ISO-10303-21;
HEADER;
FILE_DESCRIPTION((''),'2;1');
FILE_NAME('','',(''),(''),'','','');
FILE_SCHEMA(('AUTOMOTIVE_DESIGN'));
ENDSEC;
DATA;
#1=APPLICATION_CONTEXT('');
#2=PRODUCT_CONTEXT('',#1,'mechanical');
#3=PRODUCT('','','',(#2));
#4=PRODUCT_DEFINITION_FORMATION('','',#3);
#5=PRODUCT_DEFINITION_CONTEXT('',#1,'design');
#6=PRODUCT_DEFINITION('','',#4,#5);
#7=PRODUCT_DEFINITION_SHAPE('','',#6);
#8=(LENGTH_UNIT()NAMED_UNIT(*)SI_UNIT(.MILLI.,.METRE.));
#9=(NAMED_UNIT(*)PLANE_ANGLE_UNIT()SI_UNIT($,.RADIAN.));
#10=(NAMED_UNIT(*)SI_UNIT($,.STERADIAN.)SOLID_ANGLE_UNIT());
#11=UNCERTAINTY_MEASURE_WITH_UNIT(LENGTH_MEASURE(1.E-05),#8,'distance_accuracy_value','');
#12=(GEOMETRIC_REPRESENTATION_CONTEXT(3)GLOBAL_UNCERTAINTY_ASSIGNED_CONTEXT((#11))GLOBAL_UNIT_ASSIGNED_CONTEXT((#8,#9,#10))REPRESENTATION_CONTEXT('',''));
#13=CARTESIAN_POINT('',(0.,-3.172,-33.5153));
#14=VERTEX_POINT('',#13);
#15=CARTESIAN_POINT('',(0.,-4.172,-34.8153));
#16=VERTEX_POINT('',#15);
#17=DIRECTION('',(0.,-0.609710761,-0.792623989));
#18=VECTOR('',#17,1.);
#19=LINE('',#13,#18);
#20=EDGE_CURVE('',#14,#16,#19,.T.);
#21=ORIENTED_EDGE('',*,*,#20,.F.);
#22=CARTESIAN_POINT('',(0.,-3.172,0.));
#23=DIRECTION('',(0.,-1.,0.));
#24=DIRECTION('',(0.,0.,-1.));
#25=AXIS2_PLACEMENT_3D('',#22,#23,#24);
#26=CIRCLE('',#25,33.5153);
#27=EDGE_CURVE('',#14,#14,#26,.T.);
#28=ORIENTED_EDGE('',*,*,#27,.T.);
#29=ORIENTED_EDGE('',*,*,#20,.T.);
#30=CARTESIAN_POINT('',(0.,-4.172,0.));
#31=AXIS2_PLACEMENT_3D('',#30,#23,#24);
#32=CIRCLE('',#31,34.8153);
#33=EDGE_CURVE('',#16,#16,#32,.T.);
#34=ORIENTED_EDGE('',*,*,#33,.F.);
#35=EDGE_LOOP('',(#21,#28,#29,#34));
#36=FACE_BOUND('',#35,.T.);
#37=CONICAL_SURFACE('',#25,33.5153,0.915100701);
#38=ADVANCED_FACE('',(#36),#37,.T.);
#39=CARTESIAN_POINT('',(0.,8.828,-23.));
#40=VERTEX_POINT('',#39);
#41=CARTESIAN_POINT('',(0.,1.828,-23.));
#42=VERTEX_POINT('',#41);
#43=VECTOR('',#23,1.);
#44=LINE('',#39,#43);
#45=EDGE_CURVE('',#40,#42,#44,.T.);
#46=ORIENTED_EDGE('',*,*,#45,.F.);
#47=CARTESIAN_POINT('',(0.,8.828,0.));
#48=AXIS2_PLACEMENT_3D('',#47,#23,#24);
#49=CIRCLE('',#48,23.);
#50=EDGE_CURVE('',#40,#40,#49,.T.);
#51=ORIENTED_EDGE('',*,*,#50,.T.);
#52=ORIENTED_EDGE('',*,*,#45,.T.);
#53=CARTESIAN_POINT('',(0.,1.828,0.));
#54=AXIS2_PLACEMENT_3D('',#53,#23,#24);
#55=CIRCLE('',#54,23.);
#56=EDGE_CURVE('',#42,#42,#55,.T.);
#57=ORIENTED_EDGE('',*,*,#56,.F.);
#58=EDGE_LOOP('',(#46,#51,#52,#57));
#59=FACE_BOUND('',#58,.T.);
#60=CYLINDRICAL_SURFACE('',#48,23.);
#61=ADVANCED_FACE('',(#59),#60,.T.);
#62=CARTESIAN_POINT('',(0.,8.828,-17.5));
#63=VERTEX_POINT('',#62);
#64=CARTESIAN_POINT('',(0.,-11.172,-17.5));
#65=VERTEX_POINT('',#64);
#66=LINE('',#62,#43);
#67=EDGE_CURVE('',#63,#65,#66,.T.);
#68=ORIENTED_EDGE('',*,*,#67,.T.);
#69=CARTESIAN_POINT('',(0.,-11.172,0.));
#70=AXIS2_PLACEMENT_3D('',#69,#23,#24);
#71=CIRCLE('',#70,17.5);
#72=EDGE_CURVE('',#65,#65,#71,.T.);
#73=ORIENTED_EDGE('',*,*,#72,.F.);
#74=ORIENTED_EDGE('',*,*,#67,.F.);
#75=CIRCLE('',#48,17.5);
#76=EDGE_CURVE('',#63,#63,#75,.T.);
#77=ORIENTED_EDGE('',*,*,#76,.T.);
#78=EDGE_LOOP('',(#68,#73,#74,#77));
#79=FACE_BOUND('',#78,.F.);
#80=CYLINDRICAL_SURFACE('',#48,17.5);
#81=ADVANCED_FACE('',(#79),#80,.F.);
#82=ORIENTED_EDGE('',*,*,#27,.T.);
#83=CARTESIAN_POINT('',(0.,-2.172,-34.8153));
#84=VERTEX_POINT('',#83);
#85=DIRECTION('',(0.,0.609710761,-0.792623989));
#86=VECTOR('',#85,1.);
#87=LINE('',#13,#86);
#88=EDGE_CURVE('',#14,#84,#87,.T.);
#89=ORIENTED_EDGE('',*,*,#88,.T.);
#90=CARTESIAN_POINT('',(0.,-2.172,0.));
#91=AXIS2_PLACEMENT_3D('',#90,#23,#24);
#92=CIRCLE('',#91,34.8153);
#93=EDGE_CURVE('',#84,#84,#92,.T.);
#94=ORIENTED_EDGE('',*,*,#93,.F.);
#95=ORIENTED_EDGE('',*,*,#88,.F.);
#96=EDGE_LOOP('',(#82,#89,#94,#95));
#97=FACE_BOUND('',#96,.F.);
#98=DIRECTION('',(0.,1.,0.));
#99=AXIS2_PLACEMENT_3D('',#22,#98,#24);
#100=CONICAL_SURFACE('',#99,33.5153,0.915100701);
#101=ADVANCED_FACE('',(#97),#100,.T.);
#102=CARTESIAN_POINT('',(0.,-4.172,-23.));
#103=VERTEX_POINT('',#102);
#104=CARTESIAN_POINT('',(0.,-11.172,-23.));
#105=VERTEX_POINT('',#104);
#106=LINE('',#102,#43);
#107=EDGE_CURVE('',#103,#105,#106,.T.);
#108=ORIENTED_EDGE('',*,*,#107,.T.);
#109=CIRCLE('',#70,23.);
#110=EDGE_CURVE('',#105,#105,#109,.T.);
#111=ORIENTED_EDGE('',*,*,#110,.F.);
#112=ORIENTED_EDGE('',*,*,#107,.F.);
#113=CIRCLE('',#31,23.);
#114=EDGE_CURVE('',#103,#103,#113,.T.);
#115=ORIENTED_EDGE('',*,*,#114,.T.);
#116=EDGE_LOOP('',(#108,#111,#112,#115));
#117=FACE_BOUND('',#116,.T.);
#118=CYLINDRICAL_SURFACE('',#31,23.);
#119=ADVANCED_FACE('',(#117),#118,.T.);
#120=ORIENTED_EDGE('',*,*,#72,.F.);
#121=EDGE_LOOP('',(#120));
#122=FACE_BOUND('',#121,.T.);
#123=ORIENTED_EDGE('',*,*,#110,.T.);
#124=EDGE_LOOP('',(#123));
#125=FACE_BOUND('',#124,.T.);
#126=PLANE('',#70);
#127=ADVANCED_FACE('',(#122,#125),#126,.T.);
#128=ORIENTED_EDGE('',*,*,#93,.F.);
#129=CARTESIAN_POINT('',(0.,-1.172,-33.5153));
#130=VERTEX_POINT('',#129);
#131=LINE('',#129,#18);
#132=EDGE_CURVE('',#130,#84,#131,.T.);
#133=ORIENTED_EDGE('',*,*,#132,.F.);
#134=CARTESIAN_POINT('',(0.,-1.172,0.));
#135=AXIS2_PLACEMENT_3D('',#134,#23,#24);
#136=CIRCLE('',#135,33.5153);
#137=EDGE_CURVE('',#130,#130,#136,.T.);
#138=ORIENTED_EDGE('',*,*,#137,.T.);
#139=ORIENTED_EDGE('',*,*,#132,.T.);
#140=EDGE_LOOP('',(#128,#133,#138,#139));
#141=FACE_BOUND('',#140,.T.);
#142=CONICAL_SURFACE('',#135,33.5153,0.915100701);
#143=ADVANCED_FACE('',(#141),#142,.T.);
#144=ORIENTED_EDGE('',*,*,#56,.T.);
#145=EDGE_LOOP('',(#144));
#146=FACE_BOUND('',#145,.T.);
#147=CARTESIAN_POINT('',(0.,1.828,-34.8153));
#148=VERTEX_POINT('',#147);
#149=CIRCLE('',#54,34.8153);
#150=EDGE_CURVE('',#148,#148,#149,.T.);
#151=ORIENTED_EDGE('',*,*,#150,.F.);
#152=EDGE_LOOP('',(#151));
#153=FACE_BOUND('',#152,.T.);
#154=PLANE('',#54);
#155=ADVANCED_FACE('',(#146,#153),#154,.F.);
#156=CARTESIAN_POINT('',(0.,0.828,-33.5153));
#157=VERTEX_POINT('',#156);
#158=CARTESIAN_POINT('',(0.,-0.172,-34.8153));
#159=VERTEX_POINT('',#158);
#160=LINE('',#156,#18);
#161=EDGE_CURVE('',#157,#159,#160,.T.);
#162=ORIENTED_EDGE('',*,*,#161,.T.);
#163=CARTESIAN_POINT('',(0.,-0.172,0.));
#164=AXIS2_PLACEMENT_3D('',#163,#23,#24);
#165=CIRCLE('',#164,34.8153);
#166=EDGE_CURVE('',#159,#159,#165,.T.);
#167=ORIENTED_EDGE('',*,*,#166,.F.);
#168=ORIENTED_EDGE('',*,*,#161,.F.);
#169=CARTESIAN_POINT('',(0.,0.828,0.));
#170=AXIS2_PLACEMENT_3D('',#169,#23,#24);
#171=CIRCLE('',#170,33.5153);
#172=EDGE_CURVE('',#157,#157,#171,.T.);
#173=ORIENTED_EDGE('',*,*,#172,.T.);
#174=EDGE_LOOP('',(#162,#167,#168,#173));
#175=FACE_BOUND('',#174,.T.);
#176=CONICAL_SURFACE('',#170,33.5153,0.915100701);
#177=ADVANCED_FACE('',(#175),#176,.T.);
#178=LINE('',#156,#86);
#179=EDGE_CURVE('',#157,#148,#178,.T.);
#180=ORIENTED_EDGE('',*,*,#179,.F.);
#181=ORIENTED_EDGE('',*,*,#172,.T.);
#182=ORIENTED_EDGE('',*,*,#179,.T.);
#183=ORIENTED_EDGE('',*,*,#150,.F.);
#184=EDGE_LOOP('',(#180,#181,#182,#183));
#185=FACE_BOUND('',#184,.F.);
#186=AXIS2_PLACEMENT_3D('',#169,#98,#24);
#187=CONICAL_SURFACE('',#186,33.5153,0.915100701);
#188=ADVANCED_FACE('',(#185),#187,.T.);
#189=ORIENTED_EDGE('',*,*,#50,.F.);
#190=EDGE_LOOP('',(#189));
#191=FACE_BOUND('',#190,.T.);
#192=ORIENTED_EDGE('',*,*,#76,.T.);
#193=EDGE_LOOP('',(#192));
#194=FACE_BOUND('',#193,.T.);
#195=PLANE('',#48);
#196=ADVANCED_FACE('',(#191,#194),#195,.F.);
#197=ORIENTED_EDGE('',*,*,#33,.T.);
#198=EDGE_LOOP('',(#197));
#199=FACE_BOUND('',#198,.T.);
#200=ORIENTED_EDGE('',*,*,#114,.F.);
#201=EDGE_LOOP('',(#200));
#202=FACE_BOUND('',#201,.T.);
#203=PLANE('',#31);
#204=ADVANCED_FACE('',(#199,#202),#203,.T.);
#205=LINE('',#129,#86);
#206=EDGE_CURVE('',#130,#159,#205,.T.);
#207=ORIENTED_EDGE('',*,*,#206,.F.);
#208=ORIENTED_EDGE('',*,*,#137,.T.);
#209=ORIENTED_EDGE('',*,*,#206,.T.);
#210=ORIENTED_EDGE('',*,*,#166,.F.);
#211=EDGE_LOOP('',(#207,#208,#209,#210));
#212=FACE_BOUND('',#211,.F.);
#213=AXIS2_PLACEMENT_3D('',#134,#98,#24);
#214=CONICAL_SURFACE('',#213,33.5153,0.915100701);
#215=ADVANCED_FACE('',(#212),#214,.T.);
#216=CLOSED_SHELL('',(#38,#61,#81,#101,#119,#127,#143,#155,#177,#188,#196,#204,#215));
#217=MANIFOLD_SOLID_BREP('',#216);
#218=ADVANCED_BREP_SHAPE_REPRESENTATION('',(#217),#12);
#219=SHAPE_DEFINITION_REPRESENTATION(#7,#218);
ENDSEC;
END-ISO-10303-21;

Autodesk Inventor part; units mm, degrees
ref_plane "YZ Plane" through (0, 0, 0) normal (1, 0, 0) x (0, 1, 0)
ref_plane "XZ Plane" through (0, 0, 0) normal (0, 1, 0) x (-1, 0, 0)
ref_plane "XY Plane" through (0, 0, 0) normal (0, 0, 1) x (1, 0, 0)
sketch "Sketch1" plane through (0, 0, 0) normal (1, 0, 0) x (0, 1, 0)
  line L0 (10.3439, 0) -> (-10.3439, 0) construction
  line L1 (8.828, -17.5) -> (-11.172, -17.5)
  line L2 (8.828, -17.5) -> (8.828, -23)
  line L3 (8.828, -23) -> (1.828, -23)
  line L4 (1.828, -23) -> (1.828, -34.8153)
  line L5 (1.828, -34.8153) -> (-4.172, -34.8153)
  line L6 (-4.172, -34.8153) -> (-4.172, -23)
  line L7 (-4.172, -23) -> (-11.172, -23)
  line L8 (-11.172, -23) -> (-11.172, -17.5)
  line L9 (0, 48.9131) -> (0, -72.8322) construction
  point P0 (0, 0)
  point P1 (0, 0)
  dimension "d0" = 35
  dimension "d1" = 5.5
  dimension "d2" = 6
  dimension "d3" = 7
revolve "Revolution1" add sketch "Sketch1" angle 360 about axis through (0, 10.3439, 0) along (0, -1, 0)
sketch "Sketch2" plane through (0, 0, 0) normal (1, 0, 0) x (0, 1, 0)
  line L0 (1.828, 34.8153) -> (1.828, -34.8153) projected
  line L1 (-4.172, 34.8153) -> (-4.172, -34.8153) projected
  line L2 (1.828, 34.8153) -> (1.828, -34.8153) projected
  line L3 (-4.172, 34.8153) -> (-4.172, -34.8153) projected
  line L4 (1.828, 34.8153) -> (1.828, -34.8153) projected
  line L5 (-4.172, 34.8153) -> (-4.172, -34.8153) projected
  line L6 (1.828, 34.8153) -> (1.828, -34.8153) construction
  line L7 (-4.172, 34.8153) -> (-4.172, -34.8153) construction
  line L8 (1.828, 34.8153) -> (1.828, -34.8153) construction
  line L9 (-4.172, 34.8153) -> (-4.172, -34.8153) construction
  line L10 (1.828, 34.8153) -> (1.828, -34.8153) construction
  line L11 (-4.172, 34.8153) -> (-4.172, -34.8153) construction
  line L12 (0.828, -33.5153) -> (1.828, -34.8153) construction
  line L13 (1.828, -34.8153) -> (-0.172, -34.8153) construction
  line L14 (-0.172, -34.8153) -> (0.828, -33.5153) construction
  line L15 (0.828, -34.8153) -> (0.828, -33.5153) construction
  line L16 (1.828, -34.8153) -> (-4.172, -34.8153) construction
  line L17 (0.828, -33.5153) -> (1.828, -34.8153)
  line L18 (-0.172, -34.8153) -> (1.828, -34.8153)
  line L19 (0.828, -33.5153) -> (-0.172, -34.8153)
  point P0 (0, 0)
  dimension "d5" = 1.3
  dimension "d6" = 2
sketch "Sketch3" plane through (0, 0, 0) normal (0, 0, 1) x (1, 0, 0)
  point P0 (0, 0)
sketch "Sketch4" plane through (0, 0, 0) normal (1, 0, 0) x (0, 1, 0)
  line L0 (14.7871, 0) -> (-17.2316, 0)
  point P0 (0, 0)
revolve "Revolution2" cut sketch "Sketch2" angle 360 about axis through (0, 14.7871, 0) along (0, -1, 0)
pattern_linear "Rectangular Pattern1" count 4 spacing 2 along (0, -1, 0) of "Revolution2"
properties part number "34_Vong_chan_dau"
